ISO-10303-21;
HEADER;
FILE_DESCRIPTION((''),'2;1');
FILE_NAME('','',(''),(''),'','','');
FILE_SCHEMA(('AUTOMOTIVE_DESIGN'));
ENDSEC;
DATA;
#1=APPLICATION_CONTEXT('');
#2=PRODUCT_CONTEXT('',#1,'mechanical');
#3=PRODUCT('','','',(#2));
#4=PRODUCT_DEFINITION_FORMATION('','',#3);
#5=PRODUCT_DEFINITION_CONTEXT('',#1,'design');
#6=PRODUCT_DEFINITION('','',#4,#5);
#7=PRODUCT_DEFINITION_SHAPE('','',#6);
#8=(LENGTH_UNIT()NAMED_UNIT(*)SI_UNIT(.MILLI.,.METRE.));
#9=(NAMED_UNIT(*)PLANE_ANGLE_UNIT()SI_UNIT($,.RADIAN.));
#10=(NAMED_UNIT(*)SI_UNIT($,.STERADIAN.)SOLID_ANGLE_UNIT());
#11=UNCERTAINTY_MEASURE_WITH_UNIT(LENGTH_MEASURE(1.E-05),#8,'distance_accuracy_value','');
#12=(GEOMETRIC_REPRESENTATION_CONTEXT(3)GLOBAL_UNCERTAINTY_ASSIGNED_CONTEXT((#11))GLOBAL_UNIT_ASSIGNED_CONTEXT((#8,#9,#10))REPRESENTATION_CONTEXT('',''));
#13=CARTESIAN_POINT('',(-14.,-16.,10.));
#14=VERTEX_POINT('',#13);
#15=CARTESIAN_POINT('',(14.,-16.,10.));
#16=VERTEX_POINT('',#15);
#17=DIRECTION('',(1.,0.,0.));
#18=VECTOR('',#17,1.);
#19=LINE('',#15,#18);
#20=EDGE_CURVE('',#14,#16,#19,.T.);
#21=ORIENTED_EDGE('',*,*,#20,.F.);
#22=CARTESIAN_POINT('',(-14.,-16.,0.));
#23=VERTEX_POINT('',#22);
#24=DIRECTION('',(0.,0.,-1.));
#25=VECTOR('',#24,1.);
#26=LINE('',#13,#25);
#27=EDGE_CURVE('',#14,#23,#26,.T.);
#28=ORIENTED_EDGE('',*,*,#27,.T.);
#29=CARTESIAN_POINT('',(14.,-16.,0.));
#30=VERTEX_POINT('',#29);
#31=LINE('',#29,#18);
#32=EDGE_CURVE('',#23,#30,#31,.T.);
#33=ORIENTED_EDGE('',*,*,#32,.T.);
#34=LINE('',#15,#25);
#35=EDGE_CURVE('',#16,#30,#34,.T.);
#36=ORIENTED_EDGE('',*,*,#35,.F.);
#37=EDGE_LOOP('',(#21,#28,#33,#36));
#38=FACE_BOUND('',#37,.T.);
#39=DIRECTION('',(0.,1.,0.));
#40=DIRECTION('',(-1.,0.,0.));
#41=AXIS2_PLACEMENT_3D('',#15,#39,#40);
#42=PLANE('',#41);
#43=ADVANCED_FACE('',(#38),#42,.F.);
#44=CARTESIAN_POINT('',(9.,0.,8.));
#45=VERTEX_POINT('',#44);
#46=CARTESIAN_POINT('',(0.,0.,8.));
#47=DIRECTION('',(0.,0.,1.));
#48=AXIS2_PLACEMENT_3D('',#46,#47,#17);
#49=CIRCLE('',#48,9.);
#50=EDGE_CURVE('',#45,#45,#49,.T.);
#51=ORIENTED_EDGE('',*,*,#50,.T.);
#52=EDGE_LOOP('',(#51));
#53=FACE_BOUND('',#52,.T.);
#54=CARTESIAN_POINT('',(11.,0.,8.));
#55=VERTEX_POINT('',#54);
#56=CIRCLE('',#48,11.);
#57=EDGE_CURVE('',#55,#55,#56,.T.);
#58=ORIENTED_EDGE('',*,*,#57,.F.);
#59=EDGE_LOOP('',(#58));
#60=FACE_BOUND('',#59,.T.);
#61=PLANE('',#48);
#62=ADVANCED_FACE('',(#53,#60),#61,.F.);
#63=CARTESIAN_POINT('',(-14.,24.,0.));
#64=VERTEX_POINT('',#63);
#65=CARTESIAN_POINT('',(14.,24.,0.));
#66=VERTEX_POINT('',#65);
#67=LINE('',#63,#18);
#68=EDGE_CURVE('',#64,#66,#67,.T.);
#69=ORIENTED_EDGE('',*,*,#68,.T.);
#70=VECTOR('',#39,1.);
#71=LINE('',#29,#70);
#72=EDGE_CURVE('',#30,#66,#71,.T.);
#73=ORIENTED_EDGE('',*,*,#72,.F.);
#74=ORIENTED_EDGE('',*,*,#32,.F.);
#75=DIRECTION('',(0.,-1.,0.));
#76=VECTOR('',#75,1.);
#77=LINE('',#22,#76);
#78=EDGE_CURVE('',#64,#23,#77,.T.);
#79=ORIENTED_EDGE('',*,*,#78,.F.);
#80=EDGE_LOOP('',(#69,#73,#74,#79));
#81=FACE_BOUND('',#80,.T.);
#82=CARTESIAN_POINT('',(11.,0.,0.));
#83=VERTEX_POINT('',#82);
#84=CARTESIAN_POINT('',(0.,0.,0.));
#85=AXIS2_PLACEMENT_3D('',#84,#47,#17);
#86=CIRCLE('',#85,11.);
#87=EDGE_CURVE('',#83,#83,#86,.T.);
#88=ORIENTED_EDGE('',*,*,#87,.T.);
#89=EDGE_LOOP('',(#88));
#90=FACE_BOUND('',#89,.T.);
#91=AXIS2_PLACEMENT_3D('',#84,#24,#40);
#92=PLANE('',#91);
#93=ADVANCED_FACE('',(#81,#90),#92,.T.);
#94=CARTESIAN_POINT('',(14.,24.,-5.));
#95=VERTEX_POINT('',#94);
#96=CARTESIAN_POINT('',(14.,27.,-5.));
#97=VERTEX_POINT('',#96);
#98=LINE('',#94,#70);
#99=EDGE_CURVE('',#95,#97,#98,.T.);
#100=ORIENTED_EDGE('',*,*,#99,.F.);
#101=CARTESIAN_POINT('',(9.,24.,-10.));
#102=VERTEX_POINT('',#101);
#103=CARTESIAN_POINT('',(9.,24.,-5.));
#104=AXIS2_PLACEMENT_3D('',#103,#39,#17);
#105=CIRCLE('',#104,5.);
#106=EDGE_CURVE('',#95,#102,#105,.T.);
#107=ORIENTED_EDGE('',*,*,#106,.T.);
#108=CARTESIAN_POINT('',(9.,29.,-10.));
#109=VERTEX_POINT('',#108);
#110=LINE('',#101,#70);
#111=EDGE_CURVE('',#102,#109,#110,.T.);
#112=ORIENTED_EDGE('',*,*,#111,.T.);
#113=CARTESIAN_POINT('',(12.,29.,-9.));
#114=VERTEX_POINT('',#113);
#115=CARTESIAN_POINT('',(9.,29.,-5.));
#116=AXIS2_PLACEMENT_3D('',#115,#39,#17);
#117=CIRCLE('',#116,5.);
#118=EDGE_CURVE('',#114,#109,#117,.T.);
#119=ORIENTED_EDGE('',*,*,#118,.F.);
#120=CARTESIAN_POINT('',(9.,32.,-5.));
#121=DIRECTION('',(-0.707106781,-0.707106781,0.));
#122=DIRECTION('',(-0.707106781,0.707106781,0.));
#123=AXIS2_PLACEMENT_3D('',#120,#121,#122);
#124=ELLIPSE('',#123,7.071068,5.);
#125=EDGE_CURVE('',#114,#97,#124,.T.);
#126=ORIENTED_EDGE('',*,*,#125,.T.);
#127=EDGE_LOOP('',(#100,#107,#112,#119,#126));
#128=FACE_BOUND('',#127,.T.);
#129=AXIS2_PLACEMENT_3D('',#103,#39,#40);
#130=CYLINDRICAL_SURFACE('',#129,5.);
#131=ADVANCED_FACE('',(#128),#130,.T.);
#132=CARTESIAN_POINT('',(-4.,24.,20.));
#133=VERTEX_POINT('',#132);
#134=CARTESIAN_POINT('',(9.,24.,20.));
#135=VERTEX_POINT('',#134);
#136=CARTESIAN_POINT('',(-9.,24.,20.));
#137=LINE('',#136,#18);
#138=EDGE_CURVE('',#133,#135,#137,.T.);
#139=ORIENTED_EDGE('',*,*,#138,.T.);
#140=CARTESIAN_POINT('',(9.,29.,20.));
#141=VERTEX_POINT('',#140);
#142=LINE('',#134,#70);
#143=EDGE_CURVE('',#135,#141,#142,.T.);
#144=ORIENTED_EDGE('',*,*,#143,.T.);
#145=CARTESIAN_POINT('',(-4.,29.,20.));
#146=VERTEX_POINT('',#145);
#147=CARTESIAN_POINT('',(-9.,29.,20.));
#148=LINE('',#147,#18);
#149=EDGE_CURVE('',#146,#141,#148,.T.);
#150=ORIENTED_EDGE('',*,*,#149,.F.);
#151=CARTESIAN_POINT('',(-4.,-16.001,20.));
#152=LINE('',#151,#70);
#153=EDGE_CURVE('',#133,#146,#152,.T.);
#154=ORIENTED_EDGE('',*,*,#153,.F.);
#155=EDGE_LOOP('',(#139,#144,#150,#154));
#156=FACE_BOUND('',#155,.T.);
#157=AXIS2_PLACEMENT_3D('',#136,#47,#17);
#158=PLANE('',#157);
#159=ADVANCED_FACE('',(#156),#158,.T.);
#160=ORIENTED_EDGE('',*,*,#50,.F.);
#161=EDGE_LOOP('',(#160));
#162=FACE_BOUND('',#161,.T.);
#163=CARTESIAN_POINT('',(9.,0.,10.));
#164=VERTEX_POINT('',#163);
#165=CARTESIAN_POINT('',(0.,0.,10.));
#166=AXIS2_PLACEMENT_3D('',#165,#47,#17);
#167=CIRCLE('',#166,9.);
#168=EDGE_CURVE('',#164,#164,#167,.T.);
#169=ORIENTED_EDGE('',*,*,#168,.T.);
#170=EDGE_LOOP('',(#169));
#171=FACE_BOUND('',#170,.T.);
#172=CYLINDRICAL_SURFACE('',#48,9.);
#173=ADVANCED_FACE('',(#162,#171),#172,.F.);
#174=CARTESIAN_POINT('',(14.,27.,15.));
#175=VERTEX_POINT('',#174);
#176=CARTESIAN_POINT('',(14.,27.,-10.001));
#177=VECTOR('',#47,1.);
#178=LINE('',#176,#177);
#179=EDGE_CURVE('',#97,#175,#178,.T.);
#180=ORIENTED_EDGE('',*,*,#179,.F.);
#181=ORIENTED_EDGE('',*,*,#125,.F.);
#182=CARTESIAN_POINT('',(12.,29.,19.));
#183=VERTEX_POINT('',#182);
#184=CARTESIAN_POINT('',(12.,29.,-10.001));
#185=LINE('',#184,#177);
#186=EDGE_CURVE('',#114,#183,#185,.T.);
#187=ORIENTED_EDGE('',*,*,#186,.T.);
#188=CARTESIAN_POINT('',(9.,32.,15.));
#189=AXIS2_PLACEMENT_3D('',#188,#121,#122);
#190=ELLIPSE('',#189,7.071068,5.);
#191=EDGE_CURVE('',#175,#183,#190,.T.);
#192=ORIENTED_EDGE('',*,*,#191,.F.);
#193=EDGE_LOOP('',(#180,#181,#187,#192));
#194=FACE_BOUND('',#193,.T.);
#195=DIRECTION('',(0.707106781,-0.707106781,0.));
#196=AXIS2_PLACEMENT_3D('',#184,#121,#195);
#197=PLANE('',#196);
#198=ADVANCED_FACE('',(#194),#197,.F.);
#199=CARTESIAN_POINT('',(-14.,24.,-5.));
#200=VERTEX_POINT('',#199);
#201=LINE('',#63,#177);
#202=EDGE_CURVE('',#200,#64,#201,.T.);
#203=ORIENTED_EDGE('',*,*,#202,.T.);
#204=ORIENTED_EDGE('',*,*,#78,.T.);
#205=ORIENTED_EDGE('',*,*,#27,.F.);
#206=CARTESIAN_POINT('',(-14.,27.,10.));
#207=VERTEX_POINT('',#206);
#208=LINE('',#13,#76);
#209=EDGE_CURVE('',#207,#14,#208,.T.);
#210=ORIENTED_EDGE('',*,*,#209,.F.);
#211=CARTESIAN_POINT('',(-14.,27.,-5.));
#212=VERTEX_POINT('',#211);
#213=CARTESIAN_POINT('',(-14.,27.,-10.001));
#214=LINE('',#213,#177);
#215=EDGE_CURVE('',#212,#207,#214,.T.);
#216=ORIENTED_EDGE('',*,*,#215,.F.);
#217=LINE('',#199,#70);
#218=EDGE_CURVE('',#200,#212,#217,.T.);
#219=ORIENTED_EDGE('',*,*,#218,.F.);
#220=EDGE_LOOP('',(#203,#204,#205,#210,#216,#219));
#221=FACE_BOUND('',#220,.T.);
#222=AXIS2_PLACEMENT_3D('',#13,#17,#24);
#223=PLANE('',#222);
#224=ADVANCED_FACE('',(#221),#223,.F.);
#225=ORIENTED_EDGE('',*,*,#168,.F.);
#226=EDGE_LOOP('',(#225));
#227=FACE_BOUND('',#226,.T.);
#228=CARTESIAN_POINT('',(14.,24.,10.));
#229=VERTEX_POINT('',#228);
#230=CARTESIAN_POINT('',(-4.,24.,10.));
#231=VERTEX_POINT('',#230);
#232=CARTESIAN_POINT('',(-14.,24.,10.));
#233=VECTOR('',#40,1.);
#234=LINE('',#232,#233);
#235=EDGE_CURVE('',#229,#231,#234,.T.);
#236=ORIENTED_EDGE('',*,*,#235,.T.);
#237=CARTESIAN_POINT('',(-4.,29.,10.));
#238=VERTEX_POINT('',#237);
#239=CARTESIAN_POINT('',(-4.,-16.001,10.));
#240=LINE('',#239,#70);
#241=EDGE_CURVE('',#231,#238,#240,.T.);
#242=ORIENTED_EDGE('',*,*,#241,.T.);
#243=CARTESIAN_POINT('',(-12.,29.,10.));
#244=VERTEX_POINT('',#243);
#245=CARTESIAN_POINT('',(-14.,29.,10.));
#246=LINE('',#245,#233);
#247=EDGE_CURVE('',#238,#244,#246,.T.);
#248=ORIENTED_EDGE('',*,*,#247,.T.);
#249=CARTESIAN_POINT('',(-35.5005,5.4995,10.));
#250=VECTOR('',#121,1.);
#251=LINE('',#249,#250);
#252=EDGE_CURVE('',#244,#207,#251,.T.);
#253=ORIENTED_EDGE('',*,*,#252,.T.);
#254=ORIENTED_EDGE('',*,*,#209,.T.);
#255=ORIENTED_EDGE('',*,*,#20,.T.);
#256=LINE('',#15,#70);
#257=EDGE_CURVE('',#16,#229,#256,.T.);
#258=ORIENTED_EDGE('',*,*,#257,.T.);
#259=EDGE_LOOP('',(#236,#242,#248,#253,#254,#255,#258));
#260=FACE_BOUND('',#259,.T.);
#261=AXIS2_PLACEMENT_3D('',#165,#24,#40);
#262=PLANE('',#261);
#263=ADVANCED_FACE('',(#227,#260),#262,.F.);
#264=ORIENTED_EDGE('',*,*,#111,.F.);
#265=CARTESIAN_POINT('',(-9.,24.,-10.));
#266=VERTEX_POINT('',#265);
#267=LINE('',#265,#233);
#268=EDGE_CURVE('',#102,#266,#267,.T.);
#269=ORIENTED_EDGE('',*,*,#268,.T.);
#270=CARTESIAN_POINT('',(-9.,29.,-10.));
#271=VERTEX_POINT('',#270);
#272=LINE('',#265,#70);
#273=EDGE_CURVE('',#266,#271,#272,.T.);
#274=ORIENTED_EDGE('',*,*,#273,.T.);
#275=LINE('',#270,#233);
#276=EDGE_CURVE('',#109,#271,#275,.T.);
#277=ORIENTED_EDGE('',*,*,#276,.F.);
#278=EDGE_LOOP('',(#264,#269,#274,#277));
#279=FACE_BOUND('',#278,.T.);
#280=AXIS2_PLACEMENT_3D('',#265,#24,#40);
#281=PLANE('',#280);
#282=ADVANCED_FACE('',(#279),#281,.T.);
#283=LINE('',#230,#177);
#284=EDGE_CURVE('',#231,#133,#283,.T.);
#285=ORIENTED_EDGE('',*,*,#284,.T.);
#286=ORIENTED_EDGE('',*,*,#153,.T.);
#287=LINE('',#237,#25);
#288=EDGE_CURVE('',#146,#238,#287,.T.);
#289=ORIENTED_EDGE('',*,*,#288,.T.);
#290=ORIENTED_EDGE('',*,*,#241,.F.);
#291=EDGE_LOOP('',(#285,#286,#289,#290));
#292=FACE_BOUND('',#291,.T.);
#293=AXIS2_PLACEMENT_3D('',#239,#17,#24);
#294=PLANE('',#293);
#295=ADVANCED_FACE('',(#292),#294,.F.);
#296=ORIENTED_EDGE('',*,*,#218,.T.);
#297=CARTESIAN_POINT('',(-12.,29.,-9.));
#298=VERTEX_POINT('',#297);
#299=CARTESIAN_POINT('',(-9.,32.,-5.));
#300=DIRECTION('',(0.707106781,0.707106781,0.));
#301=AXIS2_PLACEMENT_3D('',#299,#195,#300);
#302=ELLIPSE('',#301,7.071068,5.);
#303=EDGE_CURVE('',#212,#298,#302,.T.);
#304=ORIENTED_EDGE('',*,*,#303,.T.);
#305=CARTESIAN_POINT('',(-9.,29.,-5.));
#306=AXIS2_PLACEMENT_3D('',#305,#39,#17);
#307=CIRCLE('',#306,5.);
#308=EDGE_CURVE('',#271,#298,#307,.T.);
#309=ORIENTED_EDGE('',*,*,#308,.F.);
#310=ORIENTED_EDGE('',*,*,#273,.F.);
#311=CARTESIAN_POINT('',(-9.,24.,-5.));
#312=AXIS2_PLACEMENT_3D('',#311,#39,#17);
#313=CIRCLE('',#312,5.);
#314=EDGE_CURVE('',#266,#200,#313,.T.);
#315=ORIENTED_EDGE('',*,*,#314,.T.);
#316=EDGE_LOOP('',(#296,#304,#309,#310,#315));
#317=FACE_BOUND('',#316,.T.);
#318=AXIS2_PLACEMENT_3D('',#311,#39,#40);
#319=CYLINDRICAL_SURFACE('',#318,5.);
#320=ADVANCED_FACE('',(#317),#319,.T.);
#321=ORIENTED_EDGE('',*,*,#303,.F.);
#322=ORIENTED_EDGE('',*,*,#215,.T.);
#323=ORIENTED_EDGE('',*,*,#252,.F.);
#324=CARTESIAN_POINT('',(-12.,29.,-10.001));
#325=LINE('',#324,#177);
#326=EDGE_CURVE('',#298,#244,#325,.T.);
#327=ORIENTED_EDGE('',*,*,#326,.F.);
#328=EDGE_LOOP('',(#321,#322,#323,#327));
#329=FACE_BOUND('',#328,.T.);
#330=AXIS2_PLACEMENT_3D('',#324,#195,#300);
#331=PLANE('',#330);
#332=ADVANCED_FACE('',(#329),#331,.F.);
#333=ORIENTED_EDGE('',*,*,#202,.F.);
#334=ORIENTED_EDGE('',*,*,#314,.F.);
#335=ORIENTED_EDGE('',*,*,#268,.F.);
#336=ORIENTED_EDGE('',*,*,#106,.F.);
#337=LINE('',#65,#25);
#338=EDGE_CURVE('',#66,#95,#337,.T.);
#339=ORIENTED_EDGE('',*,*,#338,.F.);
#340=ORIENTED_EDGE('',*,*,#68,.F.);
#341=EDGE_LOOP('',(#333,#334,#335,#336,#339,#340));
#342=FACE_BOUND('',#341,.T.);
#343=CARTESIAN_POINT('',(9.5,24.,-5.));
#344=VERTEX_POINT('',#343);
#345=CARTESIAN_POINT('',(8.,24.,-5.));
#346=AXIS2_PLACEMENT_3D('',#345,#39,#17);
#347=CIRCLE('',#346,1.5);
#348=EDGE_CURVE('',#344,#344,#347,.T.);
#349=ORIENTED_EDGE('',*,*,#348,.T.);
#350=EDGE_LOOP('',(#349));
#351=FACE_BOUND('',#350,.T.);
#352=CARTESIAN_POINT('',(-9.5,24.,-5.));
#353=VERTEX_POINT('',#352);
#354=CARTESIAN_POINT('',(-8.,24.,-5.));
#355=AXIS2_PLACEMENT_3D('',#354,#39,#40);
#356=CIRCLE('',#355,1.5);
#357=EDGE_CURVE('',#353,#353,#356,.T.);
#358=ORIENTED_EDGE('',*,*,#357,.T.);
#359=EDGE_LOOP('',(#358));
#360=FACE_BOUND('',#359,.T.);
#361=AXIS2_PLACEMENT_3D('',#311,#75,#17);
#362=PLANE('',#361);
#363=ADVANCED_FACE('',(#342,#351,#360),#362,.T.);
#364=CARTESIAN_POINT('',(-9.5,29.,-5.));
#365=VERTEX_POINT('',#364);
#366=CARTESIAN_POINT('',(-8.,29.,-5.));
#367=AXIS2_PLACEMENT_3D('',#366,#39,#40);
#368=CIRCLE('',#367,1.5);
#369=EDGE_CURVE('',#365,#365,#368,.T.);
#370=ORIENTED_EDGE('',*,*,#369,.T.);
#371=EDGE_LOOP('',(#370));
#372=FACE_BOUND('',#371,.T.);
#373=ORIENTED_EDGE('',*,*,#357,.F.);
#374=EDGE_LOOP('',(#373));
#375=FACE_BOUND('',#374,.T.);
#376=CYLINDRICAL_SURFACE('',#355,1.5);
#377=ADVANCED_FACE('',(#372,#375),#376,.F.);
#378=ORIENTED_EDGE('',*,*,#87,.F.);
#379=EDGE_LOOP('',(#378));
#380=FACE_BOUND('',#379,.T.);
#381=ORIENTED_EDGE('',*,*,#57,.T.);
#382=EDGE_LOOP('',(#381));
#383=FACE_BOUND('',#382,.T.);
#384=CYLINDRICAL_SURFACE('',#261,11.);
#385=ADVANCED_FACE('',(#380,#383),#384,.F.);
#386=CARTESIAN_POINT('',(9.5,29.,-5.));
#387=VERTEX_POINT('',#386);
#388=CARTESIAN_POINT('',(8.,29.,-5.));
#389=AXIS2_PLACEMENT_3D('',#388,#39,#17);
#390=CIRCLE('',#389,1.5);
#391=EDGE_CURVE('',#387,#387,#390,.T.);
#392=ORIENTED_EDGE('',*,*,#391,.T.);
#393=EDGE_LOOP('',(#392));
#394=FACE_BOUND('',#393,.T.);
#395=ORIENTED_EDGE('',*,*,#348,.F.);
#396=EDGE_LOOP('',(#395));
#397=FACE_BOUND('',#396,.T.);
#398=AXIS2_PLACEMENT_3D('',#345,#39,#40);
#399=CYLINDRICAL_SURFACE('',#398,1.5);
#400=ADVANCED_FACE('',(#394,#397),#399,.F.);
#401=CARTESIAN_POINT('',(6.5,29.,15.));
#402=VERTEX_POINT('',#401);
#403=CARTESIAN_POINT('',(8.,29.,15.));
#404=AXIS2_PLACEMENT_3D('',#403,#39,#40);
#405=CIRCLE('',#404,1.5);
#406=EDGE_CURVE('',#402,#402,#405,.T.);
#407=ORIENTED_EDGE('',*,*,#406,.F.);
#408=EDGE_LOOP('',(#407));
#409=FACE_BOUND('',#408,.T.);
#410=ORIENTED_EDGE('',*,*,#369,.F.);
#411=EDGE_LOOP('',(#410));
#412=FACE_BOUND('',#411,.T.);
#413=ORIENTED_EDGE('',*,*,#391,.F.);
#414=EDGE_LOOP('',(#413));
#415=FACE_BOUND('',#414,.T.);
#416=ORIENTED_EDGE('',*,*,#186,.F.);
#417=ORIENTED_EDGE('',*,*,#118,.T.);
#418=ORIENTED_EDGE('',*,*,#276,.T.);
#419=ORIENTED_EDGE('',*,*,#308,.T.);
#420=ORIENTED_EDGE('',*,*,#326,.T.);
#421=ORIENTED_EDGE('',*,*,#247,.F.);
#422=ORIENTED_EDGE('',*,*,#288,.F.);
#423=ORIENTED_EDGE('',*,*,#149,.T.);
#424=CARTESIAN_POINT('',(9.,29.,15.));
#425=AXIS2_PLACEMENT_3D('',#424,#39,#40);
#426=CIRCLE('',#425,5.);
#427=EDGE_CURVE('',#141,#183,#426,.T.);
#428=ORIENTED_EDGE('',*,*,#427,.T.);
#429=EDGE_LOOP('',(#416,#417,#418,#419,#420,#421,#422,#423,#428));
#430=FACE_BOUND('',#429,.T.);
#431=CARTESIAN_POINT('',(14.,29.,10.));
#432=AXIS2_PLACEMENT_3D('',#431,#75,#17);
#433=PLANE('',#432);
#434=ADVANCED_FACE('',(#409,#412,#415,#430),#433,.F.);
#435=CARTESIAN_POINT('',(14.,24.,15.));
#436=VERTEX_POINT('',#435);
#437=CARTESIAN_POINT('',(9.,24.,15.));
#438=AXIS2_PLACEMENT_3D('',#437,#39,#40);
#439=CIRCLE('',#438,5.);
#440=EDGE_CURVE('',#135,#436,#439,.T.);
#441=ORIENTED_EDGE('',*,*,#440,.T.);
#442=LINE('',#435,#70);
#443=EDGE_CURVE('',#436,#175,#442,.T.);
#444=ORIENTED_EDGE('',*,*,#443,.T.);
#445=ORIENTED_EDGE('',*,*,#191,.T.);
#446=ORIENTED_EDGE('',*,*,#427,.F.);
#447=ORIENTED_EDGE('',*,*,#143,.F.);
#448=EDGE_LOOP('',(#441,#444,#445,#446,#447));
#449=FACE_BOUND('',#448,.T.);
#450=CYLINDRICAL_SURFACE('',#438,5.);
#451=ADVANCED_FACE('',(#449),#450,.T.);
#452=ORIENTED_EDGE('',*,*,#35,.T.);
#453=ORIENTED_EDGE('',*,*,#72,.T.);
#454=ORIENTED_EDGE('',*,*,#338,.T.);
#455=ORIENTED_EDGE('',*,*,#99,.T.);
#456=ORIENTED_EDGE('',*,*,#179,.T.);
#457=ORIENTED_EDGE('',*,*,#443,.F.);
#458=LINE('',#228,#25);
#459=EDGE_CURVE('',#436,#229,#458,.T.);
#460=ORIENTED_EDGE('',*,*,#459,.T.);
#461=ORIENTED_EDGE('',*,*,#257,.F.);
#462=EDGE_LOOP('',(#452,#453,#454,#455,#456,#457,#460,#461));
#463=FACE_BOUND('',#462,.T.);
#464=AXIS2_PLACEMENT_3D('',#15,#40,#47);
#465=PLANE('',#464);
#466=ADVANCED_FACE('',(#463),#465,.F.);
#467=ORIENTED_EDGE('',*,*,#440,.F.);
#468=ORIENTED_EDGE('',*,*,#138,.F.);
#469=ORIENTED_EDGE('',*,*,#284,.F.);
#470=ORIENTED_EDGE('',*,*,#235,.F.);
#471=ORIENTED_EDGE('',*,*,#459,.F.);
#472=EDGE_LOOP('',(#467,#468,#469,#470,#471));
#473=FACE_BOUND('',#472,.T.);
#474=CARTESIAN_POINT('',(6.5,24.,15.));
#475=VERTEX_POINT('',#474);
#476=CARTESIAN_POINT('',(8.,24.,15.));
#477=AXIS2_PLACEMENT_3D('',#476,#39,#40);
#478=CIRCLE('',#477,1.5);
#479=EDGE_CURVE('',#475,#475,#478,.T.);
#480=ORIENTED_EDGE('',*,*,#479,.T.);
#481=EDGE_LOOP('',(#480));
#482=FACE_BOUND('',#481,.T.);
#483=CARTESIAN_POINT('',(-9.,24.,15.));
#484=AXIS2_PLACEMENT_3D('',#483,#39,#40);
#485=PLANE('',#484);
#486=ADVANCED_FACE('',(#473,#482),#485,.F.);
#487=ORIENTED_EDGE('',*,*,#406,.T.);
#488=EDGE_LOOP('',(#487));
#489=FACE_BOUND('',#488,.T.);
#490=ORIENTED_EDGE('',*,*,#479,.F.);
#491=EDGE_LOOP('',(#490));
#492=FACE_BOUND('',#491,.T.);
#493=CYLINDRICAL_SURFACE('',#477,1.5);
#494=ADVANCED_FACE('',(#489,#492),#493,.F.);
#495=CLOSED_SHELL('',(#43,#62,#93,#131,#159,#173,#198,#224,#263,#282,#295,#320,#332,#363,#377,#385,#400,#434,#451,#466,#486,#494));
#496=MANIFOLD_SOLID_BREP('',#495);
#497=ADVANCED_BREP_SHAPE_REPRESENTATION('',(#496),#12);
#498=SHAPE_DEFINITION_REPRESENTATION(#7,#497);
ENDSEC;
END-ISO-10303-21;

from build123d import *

# Parameters (mm, degrees)
CROQUIS1_W              = 45
CROQUIS1_H              = 28
CROQUIS1_R              = 11
SALIENTE_EXTRUIR1_DEPTH = 10
SALIENTE_EXTRUIR2_START = -2
CROQUIS2_R              = 11
CROQUIS2_R_2            = 9
SALIENTE_EXTRUIR2_DEPTH = 2
CROQUIS3_R              = 1.5
SALIENTE_EXTRUIR3_DEPTH = 5
CORTAR_EXTRUIR1_REACH   = 46.011
CORTAR_EXTRUIR2_REACH   = 53.196
CROQUIS5_W              = 10
CROQUIS5_H              = 10


with BuildPart() as part:
    # Croquis1 → Saliente-Extruir1 (new body)
    with BuildSketch(Plane(origin=(0, 0, 0), x_dir=(0, 1, 0), z_dir=(0, 0, 1))):
        with Locations((6.5, 0)):
            Rectangle(CROQUIS1_W, CROQUIS1_H)
        with Locations(Location((0, 0, 0), (0, 0, 270))):
            Circle(CROQUIS1_R, mode=Mode.SUBTRACT)
    extrude(amount=SALIENTE_EXTRUIR1_DEPTH)

    # Croquis2 → Saliente-Extruir2 (add)
    with BuildSketch(Plane.XY.offset(10).offset(SALIENTE_EXTRUIR2_START)):
        Circle(CROQUIS2_R)
        Circle(CROQUIS2_R_2, mode=Mode.SUBTRACT)
    extrude(amount=SALIENTE_EXTRUIR2_DEPTH)

    # Croquis3 → Saliente-Extruir3 (add)
    # profile 1 of 2: a face of its own
    with BuildSketch(Plane(origin=(0, 29, 0), x_dir=(1, 0, 0), z_dir=(0, 1, 0))):
        with BuildLine():
            Line((-9, -20), (9, -20))
            ThreePointArc((9, -20), (12.535533906, -18.535533906), (14, -15))
            Line((14, -15), (14, -10))
            Line((14, -10), (-14, -10))
            Line((-14, -10), (-14, -15))
            ThreePointArc((-14, -15), (-12.535533906, -18.535533906), (-9, -20))
        make_face()
        with Locations(Location((8, -15, 0), (0, 0, 180))):
            Circle(CROQUIS3_R, mode=Mode.SUBTRACT)
        with Locations((-8, -15)):
            Circle(CROQUIS3_R, mode=Mode.SUBTRACT)
    # profile 2 of 2: a face of its own
    with BuildSketch(Plane(origin=(0, 29, 0), x_dir=(1, 0, 0), z_dir=(0, 1, 0))):
        with BuildLine():
            Line((-14, 0), (14, 0))
            Line((14, 0), (14, 5))
            ThreePointArc((14, 5), (12.535533906, 8.535533906), (9, 10))
            Line((9, 10), (-9, 10))
            ThreePointArc((-9, 10), (-12.535533906, 8.535533906), (-14, 5))
            Line((-14, 5), (-14, 0))
        make_face()
        with Locations(Location((-8, 5, 0), (0, 0, 180))):
            Circle(CROQUIS3_R, mode=Mode.SUBTRACT)
        with Locations((8, 5)):
            Circle(CROQUIS3_R, mode=Mode.SUBTRACT)
    extrude(amount=-SALIENTE_EXTRUIR3_DEPTH)

    # Croquis4 → Cortar-Extruir1 (cut, up to next)
    with BuildSketch(Plane.XY.offset(20), mode=Mode.PRIVATE) as cortar_extruir1_sk1:
        Polygon((12, 29), (14, 27), (14, 29), align=None)
    cortar_extruir1_tool1 = extrude(cortar_extruir1_sk1.sketch, amount=-CORTAR_EXTRUIR1_REACH, mode=Mode.PRIVATE) & part.part
    # Croquis4 → Cortar-Extruir1 (cut, up to next)
    with BuildSketch(Plane.XY.offset(20), mode=Mode.PRIVATE) as cortar_extruir1_sk2:
        Polygon((-14, 27), (-14, 29), (-12, 29), align=None)
    cortar_extruir1_tool2 = extrude(cortar_extruir1_sk2.sketch, amount=-CORTAR_EXTRUIR1_REACH, mode=Mode.PRIVATE) & part.part
    add(cortar_extruir1_tool1.solids().sort_by_distance((13.333333, 28.333333, 20))[0], mode=Mode.SUBTRACT)
    add(cortar_extruir1_tool2.solids().sort_by_distance((-13.333333, 28.333333, 20))[0], mode=Mode.SUBTRACT)

    # Croquis5 → Cortar-Extruir2 (cut, up to next)
    with BuildSketch(Plane(origin=(0, 29, 0), x_dir=(1, 0, 0), z_dir=(0, 1, 0)), mode=Mode.PRIVATE) as cortar_extruir2_sk1:
        with Locations((-9, -15)):
            Rectangle(CROQUIS5_W, CROQUIS5_H)
    cortar_extruir2_tool1 = extrude(cortar_extruir2_sk1.sketch, amount=-CORTAR_EXTRUIR2_REACH, mode=Mode.PRIVATE) & part.part
    add(cortar_extruir2_tool1.solids().sort_by_distance((-9, 29, 15))[0], mode=Mode.SUBTRACT)


solid = part.part
